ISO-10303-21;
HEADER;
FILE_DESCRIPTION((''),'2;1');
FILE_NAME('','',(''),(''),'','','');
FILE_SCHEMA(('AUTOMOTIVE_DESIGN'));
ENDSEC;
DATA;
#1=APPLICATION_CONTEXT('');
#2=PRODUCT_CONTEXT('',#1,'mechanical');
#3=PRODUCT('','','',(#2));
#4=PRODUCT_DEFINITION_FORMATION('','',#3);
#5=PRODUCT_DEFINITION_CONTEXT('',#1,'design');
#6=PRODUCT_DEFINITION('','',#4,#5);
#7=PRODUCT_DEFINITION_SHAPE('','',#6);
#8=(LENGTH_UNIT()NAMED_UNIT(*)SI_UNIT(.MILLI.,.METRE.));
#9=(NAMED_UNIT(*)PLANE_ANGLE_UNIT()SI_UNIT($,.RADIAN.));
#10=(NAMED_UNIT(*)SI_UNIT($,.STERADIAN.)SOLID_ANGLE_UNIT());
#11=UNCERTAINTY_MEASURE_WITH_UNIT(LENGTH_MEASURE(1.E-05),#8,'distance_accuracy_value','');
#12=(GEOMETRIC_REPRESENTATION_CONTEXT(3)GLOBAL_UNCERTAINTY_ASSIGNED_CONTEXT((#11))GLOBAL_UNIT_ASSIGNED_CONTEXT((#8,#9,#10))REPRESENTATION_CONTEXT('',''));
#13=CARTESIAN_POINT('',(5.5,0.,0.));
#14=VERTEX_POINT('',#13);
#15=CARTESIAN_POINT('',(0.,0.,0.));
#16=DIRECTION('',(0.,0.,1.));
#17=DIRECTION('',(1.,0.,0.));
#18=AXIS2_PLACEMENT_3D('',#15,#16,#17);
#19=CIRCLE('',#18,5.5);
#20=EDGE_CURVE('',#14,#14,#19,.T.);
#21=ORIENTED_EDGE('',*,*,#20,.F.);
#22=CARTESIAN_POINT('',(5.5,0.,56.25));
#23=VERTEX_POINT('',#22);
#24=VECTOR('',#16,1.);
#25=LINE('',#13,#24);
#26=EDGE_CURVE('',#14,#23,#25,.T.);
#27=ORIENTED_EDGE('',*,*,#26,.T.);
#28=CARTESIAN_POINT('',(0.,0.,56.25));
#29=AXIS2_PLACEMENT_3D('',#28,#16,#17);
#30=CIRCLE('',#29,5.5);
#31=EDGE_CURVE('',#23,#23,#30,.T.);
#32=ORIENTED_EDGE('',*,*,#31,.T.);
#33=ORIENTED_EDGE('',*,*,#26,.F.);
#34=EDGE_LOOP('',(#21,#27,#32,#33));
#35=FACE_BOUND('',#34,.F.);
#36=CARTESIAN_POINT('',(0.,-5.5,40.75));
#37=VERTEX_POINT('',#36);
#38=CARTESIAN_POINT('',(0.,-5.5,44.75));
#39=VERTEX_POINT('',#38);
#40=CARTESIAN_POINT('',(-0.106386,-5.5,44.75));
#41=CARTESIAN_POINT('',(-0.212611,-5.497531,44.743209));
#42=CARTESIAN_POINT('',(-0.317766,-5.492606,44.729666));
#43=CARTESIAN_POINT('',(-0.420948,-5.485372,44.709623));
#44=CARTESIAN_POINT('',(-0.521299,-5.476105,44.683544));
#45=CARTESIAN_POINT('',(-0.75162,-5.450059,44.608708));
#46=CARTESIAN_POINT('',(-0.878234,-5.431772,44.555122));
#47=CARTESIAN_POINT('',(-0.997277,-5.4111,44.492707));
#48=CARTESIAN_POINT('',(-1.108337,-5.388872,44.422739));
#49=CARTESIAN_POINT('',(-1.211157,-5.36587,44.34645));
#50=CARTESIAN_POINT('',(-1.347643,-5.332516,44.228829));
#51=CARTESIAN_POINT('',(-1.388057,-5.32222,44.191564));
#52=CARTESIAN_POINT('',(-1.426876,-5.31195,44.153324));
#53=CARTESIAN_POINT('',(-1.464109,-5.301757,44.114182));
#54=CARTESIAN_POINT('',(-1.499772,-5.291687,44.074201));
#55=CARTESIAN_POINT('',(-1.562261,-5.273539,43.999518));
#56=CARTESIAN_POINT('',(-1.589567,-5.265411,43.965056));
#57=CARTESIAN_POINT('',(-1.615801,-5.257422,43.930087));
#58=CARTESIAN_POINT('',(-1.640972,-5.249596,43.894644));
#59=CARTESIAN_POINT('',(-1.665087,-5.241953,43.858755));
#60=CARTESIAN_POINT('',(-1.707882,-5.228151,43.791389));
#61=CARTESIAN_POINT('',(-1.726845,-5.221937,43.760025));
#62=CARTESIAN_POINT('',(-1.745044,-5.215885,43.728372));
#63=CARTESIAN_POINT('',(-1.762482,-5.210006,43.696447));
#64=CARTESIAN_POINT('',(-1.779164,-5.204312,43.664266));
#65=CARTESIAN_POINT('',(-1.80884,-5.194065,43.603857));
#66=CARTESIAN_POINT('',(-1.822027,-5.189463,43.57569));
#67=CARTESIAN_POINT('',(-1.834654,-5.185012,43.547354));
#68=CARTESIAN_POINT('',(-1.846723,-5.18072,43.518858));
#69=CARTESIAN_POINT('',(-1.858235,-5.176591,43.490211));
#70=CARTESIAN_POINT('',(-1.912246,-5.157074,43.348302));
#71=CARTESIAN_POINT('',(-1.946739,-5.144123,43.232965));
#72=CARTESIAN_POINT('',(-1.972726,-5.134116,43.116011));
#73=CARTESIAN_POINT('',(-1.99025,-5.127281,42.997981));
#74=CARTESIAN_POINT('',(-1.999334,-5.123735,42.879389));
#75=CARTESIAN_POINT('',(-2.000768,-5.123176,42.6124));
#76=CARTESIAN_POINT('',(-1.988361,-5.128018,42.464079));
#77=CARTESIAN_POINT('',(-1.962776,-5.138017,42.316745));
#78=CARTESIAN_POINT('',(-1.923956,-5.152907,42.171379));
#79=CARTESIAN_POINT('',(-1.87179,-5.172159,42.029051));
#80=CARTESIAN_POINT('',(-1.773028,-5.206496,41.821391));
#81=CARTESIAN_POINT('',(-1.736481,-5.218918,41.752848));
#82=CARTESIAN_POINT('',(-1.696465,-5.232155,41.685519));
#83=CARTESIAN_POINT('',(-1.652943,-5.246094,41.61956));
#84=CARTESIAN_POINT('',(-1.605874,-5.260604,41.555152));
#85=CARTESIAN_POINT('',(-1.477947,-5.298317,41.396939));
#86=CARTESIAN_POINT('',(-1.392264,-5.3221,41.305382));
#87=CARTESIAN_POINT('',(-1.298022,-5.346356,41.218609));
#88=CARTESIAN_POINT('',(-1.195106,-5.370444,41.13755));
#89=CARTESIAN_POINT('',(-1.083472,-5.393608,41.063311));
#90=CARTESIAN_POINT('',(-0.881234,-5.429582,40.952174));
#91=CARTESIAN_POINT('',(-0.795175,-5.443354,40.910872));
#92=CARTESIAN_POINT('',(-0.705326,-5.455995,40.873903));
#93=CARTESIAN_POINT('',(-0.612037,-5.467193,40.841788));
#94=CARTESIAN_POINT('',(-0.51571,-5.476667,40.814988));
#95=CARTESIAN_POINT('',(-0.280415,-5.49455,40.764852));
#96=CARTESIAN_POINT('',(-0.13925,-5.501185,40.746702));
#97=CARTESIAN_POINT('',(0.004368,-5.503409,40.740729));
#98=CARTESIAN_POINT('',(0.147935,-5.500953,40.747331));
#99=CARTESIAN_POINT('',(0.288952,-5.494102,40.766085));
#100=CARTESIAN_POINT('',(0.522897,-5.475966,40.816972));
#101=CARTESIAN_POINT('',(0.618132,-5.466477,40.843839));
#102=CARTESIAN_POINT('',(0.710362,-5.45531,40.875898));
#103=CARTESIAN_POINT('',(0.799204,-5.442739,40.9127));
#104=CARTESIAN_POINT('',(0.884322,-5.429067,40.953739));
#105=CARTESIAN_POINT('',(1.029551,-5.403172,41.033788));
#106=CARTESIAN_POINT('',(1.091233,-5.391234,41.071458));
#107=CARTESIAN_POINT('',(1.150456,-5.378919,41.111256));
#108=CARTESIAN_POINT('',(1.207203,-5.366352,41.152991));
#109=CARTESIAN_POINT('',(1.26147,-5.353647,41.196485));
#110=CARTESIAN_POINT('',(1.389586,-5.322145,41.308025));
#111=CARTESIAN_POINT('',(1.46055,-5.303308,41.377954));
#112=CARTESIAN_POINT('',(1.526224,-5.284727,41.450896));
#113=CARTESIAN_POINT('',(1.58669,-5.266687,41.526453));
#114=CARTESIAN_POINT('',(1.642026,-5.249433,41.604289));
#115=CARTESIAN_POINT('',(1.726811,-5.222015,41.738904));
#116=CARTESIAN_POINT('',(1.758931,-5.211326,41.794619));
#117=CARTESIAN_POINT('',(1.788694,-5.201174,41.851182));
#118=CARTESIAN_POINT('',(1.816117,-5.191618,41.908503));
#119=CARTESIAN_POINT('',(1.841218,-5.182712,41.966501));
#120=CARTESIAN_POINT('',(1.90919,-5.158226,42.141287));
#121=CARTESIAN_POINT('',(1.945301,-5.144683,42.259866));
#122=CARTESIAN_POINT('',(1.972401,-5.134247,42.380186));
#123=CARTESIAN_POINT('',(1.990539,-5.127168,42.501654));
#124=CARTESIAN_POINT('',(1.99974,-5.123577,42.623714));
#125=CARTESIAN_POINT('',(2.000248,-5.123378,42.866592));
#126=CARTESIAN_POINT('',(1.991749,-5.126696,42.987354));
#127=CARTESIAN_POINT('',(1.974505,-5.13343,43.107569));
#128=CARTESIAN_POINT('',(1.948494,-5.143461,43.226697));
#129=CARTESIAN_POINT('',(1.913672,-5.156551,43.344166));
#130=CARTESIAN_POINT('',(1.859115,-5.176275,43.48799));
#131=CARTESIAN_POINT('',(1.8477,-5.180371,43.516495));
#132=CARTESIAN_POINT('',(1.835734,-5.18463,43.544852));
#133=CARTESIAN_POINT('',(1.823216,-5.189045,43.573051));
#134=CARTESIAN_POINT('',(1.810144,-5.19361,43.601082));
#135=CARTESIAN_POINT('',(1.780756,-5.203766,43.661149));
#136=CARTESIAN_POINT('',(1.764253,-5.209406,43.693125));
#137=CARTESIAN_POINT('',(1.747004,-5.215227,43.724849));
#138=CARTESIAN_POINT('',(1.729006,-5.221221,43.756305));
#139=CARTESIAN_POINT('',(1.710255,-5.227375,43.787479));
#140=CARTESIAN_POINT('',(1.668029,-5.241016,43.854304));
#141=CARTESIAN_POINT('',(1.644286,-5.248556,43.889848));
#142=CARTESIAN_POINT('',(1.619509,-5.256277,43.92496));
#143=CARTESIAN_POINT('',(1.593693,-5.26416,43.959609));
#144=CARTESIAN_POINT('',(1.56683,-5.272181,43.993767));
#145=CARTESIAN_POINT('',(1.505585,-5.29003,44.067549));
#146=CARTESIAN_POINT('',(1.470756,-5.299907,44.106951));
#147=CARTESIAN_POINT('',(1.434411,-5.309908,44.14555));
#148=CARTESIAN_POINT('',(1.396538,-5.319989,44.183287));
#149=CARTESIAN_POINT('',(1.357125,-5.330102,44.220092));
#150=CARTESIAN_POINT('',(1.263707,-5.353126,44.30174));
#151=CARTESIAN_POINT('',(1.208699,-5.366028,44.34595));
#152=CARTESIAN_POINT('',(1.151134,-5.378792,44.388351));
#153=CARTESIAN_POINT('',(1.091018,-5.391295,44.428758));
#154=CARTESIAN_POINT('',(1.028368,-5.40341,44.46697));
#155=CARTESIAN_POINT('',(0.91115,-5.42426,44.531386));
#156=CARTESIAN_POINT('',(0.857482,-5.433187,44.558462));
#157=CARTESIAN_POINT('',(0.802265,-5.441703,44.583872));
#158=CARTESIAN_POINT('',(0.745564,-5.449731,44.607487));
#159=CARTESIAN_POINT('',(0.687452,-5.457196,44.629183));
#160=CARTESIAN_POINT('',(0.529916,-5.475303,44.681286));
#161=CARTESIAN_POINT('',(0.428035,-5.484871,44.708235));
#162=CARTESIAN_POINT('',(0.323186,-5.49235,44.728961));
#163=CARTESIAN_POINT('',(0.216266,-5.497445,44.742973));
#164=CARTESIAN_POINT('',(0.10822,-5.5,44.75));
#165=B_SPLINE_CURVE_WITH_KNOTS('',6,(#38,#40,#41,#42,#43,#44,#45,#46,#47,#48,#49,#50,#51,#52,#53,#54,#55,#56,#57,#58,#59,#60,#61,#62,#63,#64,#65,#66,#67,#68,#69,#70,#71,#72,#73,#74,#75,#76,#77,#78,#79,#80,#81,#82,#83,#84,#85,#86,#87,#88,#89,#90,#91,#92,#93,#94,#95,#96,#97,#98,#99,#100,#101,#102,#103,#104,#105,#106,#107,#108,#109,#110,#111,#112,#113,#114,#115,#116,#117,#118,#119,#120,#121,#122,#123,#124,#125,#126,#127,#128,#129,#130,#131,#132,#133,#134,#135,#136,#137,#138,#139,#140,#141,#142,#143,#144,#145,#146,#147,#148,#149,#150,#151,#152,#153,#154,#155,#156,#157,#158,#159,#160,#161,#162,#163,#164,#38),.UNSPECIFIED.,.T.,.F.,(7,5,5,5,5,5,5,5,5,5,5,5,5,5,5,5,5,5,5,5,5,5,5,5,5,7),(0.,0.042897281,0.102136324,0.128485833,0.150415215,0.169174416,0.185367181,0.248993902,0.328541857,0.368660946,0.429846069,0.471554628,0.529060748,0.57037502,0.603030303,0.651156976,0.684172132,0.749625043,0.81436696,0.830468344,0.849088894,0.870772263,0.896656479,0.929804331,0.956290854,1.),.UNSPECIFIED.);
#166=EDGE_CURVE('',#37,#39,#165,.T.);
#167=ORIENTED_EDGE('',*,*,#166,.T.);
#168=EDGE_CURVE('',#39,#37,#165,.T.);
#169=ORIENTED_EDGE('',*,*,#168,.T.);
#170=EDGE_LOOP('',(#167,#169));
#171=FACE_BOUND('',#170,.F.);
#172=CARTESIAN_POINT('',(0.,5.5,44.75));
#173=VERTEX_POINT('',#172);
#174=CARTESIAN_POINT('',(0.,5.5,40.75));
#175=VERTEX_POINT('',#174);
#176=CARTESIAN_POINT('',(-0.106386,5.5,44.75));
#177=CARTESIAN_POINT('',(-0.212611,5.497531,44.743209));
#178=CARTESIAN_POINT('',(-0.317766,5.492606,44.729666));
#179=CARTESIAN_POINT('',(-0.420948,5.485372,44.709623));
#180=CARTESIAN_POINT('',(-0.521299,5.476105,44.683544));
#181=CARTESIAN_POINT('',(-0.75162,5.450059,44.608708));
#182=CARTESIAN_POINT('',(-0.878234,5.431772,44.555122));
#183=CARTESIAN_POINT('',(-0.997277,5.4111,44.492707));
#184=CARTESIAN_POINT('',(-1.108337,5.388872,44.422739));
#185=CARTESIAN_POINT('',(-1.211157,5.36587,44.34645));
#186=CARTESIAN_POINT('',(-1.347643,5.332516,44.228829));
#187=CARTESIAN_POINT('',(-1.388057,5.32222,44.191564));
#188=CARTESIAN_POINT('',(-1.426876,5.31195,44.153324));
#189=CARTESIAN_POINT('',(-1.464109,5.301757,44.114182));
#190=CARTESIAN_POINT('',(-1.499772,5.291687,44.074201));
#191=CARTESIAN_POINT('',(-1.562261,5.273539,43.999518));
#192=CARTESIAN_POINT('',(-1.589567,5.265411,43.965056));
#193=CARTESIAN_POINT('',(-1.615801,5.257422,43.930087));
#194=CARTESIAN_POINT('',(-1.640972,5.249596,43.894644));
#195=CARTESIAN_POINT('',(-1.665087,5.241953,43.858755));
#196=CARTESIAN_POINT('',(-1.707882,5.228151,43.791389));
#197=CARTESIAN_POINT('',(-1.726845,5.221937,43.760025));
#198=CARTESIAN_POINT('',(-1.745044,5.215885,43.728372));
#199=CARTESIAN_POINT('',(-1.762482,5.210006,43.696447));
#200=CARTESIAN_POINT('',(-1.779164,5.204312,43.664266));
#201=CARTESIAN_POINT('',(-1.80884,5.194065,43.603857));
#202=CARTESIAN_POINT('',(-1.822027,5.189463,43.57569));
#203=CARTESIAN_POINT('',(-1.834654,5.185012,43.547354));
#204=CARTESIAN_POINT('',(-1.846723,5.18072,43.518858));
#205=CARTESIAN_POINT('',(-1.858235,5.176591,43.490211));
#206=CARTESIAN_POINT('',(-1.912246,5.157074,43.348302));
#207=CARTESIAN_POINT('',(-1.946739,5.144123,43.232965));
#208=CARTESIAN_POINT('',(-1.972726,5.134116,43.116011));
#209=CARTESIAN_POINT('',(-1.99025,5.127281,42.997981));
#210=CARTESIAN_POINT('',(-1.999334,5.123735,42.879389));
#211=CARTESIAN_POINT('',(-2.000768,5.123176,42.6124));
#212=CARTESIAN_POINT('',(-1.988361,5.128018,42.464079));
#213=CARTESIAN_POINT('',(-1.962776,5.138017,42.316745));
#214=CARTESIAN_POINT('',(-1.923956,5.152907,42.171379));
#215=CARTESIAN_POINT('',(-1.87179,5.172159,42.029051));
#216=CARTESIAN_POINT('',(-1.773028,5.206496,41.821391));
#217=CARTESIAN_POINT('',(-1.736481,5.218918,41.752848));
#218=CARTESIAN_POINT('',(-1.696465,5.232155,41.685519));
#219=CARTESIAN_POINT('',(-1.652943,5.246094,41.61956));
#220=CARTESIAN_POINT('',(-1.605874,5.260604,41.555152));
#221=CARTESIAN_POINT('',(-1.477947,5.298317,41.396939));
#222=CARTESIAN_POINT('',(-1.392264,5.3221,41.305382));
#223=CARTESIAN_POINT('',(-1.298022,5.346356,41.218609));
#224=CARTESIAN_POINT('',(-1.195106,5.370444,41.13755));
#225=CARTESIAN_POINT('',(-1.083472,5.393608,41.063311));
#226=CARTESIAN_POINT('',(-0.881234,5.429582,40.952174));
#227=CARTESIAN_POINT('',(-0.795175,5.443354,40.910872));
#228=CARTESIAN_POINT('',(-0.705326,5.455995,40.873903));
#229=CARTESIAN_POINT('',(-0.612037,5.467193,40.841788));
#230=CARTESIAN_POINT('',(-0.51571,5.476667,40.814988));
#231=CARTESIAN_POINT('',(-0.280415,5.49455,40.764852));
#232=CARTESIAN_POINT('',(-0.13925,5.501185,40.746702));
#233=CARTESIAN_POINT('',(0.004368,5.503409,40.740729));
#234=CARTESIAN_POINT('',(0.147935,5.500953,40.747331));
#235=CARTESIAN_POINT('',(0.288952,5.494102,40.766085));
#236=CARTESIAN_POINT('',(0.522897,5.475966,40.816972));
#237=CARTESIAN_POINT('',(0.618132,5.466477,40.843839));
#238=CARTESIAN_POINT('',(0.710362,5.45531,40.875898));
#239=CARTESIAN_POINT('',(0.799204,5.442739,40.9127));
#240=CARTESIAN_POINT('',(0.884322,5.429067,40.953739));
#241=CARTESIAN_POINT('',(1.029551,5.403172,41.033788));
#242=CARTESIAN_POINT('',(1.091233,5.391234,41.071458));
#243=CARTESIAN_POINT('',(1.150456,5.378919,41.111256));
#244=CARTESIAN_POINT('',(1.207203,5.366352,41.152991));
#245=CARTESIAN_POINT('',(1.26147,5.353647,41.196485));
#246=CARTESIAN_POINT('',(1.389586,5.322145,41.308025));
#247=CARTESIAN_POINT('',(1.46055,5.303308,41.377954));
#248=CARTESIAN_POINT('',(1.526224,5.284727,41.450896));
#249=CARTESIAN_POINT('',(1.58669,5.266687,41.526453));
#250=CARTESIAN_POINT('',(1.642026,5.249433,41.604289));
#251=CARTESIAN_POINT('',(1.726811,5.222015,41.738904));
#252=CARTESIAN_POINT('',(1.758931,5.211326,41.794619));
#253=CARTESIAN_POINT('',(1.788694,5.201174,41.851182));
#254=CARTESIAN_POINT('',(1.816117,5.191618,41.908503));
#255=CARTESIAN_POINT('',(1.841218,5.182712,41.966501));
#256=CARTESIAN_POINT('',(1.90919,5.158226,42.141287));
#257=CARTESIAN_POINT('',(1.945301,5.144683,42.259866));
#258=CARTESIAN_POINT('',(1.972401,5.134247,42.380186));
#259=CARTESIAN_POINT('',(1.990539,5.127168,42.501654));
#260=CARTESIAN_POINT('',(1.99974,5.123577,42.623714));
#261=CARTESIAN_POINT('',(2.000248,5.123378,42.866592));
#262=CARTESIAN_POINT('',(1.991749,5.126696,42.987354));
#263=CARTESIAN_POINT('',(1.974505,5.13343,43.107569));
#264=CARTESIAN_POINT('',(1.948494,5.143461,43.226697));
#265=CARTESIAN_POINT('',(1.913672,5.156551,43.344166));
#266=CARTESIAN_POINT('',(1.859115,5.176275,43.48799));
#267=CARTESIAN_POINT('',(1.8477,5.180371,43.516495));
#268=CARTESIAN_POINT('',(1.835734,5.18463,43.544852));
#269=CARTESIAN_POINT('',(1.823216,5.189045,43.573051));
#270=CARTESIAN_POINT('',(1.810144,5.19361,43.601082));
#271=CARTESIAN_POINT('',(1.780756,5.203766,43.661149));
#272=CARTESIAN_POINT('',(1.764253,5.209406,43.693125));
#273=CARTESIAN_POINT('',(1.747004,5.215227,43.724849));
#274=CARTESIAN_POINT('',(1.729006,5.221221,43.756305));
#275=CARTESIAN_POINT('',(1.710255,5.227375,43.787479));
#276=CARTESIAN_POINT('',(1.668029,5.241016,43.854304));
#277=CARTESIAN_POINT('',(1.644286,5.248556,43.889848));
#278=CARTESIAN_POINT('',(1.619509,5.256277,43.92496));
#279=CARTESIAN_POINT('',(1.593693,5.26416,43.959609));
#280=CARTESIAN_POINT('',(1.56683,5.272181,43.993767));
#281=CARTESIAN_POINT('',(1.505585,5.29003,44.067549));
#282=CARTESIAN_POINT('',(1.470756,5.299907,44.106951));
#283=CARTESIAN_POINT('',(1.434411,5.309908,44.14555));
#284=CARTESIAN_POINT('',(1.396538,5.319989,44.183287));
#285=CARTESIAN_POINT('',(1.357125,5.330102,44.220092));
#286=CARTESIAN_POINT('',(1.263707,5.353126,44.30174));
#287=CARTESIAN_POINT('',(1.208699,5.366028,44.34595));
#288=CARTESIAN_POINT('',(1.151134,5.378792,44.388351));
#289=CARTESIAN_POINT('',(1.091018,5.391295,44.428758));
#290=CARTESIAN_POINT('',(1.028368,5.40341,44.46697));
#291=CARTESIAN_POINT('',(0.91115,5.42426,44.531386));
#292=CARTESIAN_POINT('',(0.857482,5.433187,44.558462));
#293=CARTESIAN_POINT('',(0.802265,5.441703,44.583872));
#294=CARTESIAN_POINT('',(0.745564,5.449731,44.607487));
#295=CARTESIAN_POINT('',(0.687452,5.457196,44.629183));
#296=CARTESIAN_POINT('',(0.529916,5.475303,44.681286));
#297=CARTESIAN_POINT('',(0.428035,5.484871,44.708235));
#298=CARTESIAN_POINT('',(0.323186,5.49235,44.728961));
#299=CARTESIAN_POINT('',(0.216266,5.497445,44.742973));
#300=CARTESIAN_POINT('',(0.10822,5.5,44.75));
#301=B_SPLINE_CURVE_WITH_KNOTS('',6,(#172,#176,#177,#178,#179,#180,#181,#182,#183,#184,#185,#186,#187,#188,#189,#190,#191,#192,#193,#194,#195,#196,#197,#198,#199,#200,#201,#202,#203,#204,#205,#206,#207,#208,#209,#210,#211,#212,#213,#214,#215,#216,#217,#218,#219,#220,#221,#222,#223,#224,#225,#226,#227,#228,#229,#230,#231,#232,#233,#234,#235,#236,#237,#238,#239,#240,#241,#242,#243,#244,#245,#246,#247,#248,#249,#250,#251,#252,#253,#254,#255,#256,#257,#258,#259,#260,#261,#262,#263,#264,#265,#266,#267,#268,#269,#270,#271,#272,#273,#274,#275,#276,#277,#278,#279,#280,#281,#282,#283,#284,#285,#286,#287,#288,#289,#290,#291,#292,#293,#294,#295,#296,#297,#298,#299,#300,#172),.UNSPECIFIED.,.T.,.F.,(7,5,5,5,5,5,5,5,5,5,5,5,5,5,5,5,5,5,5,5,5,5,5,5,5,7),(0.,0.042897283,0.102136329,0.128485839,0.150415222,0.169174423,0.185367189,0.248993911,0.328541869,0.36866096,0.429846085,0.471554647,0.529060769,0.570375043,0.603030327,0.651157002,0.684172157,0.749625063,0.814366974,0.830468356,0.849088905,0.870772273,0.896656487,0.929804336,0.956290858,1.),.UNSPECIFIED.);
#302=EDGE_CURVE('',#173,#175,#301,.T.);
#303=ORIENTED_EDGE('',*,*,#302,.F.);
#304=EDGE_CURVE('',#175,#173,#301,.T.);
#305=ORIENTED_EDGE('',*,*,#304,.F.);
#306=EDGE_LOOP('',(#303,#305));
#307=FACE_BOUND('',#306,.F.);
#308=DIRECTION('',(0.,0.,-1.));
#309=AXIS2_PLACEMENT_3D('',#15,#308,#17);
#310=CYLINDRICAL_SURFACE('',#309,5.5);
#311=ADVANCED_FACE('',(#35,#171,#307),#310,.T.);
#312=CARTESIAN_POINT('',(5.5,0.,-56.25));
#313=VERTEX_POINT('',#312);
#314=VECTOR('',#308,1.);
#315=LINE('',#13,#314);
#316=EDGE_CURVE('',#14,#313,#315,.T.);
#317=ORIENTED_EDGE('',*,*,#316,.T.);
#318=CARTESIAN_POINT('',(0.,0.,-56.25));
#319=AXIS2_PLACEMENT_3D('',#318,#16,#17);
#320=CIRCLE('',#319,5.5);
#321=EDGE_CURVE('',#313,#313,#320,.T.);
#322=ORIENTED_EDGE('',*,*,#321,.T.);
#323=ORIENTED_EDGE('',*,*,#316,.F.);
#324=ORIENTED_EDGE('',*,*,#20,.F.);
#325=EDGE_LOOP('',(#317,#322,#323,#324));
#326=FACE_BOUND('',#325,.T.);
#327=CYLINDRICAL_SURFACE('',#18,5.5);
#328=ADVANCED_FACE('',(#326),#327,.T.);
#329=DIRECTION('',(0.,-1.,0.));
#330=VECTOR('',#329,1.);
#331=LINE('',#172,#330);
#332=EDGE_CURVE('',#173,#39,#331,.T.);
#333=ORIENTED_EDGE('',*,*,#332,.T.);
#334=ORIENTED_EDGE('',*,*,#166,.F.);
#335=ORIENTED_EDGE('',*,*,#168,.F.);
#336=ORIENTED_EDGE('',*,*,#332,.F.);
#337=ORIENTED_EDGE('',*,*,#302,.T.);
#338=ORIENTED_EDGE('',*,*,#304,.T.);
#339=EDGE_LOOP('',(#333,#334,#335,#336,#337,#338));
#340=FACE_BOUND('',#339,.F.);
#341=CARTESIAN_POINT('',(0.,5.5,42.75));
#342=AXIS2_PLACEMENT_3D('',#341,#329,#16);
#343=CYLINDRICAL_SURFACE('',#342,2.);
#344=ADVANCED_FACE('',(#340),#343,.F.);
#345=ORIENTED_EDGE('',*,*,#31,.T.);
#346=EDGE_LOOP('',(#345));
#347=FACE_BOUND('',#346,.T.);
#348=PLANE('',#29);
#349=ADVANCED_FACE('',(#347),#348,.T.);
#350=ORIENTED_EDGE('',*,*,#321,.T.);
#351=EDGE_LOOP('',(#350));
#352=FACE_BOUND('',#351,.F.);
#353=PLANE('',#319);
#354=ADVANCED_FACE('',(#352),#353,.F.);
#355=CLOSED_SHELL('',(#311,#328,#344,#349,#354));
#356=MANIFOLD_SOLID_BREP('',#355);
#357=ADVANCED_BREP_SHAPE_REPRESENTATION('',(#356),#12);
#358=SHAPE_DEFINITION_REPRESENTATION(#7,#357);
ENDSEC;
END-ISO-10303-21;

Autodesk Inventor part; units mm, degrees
ref_plane "XZ Plane" through (0, 0, 0) normal (0, 1, 0) x (-1, 0, 0)
ref_plane "XY Plane" through (0, 0, 0) normal (0, 0, 1) x (1, 0, 0)
sketch "Skizze1" plane through (0, 0, 0) normal (0, 0, 1) x (1, 0, 0)
  circle A0 centre (0, 0) radius 5.5
  dimension "d0" = 11
extrude "Extrusion1" add sketch "Skizze1" along normal mid plane 112.5
sketch "Skizze2" plane through (0, 0, 0) normal (1, 0, 0) x (0, 1, 0)
  line L0 (5.5, -56.25) -> (5.5, 56.25) projected
  line L1 (-5.5, 40.75) -> (5.5, 40.75)
  line L2 (5.5, 40.75) -> (5.5, 44.75)
  line L3 (5.5, 44.75) -> (-5.5, 44.75)
  line L4 (-5.5, 44.75) -> (-5.5, 40.75)
  line L5 (-5.5, 40.75) -> (5.5, 44.75) construction
  line L6 (5.5, 40.75) -> (-5.5, 44.75) construction
  line L7 (-5.5, 44.75) -> (5.5, 44.75)
  line L8 (5.5, 44.75) -> (5.5, 42.75)
  line L9 (5.5, 42.75) -> (-5.5, 42.75)
  line L10 (-5.5, 42.75) -> (-5.5, 44.75)
  point P0 (0, 0)
  point P1 (0, 42.75)
  dimension "d3" = 4
revolve "Umdrehung1" cut sketch "Skizze2" angle 360 about axis through (0, 5.5, 42.75) along (0, -1, 0) contours L9 L4 L3 L0
properties part number "sf_Crankshaft_1"
